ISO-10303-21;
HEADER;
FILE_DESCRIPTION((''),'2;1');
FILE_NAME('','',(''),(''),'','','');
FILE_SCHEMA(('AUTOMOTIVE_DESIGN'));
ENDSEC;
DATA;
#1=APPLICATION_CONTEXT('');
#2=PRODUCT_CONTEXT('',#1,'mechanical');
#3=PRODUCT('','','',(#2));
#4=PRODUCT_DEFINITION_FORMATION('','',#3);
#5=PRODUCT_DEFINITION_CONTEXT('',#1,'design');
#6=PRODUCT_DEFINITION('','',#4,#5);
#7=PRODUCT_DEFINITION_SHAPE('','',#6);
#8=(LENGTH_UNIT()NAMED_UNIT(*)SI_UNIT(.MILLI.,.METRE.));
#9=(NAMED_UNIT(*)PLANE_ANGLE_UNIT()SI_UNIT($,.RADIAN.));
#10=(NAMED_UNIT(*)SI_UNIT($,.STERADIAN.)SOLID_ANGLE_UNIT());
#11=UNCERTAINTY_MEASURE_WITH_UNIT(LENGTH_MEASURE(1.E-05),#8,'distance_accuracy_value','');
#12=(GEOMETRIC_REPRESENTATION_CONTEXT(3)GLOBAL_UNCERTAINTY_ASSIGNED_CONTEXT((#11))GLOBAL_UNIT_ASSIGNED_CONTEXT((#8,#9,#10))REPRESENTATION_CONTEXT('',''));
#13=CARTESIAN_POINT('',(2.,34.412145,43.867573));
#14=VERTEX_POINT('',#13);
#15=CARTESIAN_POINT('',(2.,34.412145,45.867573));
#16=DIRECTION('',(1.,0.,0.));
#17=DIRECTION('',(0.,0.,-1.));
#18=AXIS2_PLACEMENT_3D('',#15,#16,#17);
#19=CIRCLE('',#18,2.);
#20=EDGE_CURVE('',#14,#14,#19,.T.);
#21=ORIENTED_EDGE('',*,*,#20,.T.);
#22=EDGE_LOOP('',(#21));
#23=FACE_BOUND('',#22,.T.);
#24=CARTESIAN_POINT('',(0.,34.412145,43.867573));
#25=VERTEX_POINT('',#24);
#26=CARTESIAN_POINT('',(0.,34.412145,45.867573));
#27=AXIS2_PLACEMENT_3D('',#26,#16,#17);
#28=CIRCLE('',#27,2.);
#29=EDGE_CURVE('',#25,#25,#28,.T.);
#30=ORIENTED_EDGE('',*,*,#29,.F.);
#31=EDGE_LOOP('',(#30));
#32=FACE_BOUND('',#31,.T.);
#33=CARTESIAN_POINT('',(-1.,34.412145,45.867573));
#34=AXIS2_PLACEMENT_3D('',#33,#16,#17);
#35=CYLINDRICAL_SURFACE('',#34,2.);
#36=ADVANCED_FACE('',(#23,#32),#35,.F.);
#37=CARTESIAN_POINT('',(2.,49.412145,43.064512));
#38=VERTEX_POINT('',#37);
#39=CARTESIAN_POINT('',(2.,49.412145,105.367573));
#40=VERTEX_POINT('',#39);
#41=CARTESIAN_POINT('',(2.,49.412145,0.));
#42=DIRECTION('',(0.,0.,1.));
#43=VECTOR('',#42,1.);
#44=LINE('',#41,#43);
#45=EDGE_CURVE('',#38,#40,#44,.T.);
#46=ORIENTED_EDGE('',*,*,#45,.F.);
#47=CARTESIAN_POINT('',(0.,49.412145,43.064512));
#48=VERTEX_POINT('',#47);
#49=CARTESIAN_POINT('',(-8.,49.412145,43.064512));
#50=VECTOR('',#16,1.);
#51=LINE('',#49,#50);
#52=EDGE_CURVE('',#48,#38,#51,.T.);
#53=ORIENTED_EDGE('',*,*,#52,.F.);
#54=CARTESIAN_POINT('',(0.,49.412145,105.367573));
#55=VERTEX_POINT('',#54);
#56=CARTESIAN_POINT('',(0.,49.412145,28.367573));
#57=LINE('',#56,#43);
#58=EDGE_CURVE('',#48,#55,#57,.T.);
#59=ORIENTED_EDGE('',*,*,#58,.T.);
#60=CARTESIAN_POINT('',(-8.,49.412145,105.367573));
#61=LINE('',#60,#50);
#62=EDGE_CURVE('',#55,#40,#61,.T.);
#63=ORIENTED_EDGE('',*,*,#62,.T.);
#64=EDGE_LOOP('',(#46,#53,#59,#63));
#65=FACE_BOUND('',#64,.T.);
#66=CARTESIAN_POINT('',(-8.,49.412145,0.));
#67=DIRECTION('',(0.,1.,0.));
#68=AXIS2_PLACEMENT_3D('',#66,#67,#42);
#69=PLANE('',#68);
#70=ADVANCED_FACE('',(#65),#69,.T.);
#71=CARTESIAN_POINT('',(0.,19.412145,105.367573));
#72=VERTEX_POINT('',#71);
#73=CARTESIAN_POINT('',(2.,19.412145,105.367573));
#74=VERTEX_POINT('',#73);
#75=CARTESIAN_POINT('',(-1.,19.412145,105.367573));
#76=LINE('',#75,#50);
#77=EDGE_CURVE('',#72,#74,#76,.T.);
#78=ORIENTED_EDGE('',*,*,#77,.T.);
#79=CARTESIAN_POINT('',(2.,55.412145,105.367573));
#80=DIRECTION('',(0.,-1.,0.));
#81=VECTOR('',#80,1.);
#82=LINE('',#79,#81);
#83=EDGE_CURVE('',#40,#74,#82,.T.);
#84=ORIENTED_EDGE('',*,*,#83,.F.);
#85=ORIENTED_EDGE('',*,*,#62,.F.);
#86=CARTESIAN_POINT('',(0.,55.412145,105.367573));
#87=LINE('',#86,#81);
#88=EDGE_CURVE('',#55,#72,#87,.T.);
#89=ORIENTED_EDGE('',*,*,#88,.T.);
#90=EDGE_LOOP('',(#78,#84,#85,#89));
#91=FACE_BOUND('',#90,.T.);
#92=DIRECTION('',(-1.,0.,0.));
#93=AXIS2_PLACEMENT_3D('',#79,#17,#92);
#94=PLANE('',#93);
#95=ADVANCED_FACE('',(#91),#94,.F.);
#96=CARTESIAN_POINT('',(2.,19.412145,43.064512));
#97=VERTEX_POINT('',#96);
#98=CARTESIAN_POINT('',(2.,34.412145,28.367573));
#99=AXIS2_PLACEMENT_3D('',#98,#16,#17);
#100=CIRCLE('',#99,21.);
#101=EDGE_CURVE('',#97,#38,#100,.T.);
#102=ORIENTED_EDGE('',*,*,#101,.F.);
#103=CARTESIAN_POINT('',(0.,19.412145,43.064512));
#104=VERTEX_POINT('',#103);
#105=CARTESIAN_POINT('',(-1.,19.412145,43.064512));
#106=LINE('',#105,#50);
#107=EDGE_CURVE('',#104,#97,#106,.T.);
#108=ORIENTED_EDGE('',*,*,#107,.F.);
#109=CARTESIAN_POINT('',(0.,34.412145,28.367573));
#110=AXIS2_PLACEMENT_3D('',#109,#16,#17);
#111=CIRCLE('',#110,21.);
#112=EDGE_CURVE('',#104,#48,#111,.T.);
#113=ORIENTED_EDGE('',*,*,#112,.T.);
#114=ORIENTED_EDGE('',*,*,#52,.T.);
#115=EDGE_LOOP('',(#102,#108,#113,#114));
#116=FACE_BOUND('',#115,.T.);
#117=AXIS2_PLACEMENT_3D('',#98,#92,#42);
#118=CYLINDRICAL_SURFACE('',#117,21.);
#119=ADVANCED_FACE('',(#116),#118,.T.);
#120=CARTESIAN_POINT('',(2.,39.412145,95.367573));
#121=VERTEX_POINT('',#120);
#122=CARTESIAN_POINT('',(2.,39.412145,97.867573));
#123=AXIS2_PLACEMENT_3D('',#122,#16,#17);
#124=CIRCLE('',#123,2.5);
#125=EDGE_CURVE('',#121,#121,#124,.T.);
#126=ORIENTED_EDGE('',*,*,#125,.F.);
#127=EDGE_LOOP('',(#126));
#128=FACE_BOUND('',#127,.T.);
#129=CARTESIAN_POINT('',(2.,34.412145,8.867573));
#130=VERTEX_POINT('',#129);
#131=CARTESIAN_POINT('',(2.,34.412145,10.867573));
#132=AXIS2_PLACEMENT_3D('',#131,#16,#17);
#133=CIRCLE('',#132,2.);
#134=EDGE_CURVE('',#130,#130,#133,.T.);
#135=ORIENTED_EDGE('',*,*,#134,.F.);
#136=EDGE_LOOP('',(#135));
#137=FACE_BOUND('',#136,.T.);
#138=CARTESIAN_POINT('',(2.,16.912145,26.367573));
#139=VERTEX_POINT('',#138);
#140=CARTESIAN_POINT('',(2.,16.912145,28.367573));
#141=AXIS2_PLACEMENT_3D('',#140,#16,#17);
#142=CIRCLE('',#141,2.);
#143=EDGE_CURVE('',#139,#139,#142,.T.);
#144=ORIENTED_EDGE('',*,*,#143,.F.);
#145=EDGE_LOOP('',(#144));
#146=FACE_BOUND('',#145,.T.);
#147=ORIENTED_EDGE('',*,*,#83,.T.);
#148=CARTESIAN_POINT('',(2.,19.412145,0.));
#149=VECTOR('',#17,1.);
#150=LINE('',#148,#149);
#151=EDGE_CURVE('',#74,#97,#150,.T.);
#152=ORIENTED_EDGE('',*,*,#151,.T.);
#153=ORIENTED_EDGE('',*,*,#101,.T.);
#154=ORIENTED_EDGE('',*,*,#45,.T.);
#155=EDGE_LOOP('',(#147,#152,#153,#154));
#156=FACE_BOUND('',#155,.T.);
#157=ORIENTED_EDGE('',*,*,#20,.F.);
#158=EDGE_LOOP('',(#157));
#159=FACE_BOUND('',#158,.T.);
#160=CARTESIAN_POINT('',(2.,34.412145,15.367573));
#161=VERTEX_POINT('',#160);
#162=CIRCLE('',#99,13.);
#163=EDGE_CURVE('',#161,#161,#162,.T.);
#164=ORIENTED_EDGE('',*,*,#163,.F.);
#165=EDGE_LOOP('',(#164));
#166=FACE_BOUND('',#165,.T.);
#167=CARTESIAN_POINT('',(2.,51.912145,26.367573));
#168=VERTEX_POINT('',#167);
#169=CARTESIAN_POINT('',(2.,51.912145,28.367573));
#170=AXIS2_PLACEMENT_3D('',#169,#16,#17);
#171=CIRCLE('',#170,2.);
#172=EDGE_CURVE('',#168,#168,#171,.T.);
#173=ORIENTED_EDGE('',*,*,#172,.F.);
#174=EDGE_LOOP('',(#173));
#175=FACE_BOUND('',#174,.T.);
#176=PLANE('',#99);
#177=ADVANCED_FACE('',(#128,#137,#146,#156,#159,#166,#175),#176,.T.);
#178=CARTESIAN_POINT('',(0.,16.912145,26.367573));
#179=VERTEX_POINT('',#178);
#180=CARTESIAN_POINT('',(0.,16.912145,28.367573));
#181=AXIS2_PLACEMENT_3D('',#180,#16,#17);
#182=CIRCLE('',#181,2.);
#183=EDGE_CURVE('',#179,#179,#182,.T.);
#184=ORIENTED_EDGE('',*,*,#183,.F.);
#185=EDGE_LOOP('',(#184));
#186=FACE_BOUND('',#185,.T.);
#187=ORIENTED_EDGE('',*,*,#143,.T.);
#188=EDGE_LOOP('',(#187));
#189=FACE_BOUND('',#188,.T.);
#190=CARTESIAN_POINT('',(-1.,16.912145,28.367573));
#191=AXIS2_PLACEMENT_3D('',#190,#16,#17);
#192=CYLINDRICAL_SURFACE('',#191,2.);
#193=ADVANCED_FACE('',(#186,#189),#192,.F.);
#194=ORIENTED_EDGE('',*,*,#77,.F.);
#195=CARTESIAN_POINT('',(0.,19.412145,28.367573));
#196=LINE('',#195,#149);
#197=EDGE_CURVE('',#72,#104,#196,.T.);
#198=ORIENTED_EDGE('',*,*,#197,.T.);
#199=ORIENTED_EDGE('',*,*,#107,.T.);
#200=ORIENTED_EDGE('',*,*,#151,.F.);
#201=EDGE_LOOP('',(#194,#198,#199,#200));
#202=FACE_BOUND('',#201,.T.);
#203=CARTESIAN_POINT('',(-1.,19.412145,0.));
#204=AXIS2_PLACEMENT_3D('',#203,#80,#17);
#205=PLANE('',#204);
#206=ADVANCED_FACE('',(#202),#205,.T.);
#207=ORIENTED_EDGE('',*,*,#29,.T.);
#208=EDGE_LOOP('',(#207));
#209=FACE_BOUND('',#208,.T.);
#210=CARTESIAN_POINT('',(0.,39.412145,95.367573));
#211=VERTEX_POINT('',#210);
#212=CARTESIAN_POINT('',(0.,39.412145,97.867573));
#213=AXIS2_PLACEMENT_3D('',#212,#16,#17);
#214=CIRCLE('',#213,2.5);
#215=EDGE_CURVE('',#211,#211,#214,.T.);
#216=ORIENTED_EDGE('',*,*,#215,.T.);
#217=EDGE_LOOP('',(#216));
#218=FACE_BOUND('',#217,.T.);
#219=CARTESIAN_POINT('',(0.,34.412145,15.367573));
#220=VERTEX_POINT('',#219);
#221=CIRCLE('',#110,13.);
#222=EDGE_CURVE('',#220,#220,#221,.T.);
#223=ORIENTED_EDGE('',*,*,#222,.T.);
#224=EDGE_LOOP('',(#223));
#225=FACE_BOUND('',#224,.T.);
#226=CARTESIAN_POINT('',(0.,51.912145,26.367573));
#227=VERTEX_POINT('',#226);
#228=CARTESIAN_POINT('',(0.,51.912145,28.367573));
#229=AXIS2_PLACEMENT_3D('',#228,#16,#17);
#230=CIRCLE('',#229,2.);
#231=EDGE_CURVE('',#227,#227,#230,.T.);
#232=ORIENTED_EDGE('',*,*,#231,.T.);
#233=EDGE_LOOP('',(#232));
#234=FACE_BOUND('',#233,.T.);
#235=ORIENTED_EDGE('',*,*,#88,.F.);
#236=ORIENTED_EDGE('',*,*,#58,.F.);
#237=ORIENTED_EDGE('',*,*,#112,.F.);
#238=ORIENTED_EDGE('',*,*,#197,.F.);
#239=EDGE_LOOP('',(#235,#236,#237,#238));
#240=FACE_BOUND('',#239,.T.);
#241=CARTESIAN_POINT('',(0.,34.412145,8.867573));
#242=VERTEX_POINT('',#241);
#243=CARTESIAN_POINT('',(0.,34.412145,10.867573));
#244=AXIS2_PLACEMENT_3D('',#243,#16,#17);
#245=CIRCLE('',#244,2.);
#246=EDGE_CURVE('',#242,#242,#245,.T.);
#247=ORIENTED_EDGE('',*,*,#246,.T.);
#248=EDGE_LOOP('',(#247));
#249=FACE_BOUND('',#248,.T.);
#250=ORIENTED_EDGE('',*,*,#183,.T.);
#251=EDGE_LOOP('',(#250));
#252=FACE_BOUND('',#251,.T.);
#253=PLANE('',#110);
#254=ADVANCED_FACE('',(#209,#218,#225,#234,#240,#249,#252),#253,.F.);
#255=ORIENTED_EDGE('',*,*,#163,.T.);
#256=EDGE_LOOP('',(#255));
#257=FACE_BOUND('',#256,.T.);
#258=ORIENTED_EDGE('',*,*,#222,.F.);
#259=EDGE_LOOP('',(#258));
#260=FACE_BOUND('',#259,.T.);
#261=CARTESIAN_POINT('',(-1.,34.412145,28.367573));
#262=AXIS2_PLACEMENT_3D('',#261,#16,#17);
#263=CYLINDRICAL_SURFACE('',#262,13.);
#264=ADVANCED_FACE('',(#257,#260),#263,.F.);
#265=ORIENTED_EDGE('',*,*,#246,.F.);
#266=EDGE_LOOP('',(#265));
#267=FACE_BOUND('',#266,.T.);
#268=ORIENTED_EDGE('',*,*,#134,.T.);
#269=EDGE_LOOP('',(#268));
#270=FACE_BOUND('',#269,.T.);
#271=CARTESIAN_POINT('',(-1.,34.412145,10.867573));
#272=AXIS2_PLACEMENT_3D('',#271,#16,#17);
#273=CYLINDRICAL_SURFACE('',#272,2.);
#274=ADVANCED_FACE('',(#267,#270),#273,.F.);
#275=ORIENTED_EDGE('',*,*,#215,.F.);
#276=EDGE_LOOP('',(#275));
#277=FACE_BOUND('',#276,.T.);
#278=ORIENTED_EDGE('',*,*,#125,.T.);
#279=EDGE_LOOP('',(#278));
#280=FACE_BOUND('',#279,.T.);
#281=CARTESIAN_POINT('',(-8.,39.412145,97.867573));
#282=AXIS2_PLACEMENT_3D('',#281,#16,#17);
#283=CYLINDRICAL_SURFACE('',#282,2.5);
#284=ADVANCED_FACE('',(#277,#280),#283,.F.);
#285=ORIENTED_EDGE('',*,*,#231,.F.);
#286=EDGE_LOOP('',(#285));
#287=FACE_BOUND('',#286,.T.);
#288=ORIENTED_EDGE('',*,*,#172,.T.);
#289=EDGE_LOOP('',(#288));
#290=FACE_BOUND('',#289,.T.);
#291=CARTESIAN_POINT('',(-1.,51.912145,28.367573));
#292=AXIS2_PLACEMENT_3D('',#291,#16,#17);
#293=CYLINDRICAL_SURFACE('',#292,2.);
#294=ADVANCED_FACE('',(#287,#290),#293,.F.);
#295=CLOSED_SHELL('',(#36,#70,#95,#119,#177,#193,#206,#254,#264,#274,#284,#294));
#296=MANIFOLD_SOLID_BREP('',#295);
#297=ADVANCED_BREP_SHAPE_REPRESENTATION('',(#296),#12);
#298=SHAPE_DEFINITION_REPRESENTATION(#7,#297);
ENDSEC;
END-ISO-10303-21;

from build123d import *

# Parameters (mm, degrees)
EXTRUDE_1_DEPTH     = 2
CUT_EXTRUDE_START   = -3
SKETCH_2_R          = 2
SKETCH_2_R_2        = 13
CUT_EXTRUDE_1_DEPTH = 3
CUT_EXTRUDE_START_2 = -10
CUT_EXTRUDE_2_DEPTH = 10
SKETCH_3_R          = 2.5
CUT_EXTRUDE_4_DEPTH = 10


with BuildPart() as part:
    # 草图1 → 凸台-拉伸1 (new body)
    with BuildSketch(Plane(origin=(0, 0, 0), x_dir=(0, 0, -1), z_dir=(1, 0, 0))):
        with BuildLine():
            Line((-105.367573178, 55.412145146), (-28.367573178, 55.412145146))
            ThreePointArc((-28.367573178, 55.412145146), (-7.367573178, 34.412145146), (-28.367573178, 13.412145146))
            Line((-28.367573178, 13.412145146), (-105.367573178, 13.412145146))
            Line((-105.367573178, 13.412145146), (-105.367573178, 55.412145146))
        make_face()
    extrude(amount=EXTRUDE_1_DEPTH)

    # 草图2 → 切除-拉伸1 (cut)
    with BuildSketch(Plane(origin=(2, 0, 0), x_dir=(0, 0, -1), z_dir=(1, 0, 0)).offset(CUT_EXTRUDE_START)):
        with BuildLine():
            Line((-43.064511635, 19.412145146), (-105.367573178, 19.412145146))
            Line((-105.367573178, 19.412145146), (-105.367573178, 13.412145146))
            Line((-105.367573178, 13.412145146), (-28.367573178, 13.412145146))
            ThreePointArc((-28.367573178, 13.412145146), (-36.304827111, 14.96992305), (-43.064511635, 19.412145146))
        make_face()
        with Locations((-28.367573178, 51.912145146)):
            Circle(SKETCH_2_R)
        with Locations((-28.367573178, 16.912145146)):
            Circle(SKETCH_2_R)
        with Locations((-45.867573178, 34.412145146)):
            Circle(SKETCH_2_R)
        with Locations((-10.867573178, 34.412145146)):
            Circle(SKETCH_2_R)
        with Locations((-28.367573178, 34.412145146)):
            Circle(SKETCH_2_R_2)
    extrude(amount=CUT_EXTRUDE_1_DEPTH, mode=Mode.SUBTRACT)

    # 草图2<3> → 切除-拉伸2 (cut)
    with BuildSketch(Plane(origin=(2, 0, 0), x_dir=(0, 0, -1), z_dir=(1, 0, 0)).offset(CUT_EXTRUDE_START_2)):
        with BuildLine():
            Line((-105.367573178, 55.412145146), (-105.367573178, 49.412145146))
            Line((-105.367573178, 49.412145146), (-43.064511635, 49.412145146))
            ThreePointArc((-43.064511635, 49.412145146), (-36.304827111, 53.854367241), (-28.367573178, 55.412145146))
            Line((-28.367573178, 55.412145146), (-105.367573178, 55.412145146))
        make_face()
    extrude(amount=CUT_EXTRUDE_2_DEPTH, mode=Mode.SUBTRACT)

    # 草图3 → 切除-拉伸4 (cut)
    with BuildSketch(Plane(origin=(2, 0, 0), x_dir=(0, 0, -1), z_dir=(1, 0, 0))):
        with Locations((-97.867573178, 39.412145146)):
            Circle(SKETCH_3_R)
    extrude(amount=-CUT_EXTRUDE_4_DEPTH, mode=Mode.SUBTRACT)


solid = part.part
